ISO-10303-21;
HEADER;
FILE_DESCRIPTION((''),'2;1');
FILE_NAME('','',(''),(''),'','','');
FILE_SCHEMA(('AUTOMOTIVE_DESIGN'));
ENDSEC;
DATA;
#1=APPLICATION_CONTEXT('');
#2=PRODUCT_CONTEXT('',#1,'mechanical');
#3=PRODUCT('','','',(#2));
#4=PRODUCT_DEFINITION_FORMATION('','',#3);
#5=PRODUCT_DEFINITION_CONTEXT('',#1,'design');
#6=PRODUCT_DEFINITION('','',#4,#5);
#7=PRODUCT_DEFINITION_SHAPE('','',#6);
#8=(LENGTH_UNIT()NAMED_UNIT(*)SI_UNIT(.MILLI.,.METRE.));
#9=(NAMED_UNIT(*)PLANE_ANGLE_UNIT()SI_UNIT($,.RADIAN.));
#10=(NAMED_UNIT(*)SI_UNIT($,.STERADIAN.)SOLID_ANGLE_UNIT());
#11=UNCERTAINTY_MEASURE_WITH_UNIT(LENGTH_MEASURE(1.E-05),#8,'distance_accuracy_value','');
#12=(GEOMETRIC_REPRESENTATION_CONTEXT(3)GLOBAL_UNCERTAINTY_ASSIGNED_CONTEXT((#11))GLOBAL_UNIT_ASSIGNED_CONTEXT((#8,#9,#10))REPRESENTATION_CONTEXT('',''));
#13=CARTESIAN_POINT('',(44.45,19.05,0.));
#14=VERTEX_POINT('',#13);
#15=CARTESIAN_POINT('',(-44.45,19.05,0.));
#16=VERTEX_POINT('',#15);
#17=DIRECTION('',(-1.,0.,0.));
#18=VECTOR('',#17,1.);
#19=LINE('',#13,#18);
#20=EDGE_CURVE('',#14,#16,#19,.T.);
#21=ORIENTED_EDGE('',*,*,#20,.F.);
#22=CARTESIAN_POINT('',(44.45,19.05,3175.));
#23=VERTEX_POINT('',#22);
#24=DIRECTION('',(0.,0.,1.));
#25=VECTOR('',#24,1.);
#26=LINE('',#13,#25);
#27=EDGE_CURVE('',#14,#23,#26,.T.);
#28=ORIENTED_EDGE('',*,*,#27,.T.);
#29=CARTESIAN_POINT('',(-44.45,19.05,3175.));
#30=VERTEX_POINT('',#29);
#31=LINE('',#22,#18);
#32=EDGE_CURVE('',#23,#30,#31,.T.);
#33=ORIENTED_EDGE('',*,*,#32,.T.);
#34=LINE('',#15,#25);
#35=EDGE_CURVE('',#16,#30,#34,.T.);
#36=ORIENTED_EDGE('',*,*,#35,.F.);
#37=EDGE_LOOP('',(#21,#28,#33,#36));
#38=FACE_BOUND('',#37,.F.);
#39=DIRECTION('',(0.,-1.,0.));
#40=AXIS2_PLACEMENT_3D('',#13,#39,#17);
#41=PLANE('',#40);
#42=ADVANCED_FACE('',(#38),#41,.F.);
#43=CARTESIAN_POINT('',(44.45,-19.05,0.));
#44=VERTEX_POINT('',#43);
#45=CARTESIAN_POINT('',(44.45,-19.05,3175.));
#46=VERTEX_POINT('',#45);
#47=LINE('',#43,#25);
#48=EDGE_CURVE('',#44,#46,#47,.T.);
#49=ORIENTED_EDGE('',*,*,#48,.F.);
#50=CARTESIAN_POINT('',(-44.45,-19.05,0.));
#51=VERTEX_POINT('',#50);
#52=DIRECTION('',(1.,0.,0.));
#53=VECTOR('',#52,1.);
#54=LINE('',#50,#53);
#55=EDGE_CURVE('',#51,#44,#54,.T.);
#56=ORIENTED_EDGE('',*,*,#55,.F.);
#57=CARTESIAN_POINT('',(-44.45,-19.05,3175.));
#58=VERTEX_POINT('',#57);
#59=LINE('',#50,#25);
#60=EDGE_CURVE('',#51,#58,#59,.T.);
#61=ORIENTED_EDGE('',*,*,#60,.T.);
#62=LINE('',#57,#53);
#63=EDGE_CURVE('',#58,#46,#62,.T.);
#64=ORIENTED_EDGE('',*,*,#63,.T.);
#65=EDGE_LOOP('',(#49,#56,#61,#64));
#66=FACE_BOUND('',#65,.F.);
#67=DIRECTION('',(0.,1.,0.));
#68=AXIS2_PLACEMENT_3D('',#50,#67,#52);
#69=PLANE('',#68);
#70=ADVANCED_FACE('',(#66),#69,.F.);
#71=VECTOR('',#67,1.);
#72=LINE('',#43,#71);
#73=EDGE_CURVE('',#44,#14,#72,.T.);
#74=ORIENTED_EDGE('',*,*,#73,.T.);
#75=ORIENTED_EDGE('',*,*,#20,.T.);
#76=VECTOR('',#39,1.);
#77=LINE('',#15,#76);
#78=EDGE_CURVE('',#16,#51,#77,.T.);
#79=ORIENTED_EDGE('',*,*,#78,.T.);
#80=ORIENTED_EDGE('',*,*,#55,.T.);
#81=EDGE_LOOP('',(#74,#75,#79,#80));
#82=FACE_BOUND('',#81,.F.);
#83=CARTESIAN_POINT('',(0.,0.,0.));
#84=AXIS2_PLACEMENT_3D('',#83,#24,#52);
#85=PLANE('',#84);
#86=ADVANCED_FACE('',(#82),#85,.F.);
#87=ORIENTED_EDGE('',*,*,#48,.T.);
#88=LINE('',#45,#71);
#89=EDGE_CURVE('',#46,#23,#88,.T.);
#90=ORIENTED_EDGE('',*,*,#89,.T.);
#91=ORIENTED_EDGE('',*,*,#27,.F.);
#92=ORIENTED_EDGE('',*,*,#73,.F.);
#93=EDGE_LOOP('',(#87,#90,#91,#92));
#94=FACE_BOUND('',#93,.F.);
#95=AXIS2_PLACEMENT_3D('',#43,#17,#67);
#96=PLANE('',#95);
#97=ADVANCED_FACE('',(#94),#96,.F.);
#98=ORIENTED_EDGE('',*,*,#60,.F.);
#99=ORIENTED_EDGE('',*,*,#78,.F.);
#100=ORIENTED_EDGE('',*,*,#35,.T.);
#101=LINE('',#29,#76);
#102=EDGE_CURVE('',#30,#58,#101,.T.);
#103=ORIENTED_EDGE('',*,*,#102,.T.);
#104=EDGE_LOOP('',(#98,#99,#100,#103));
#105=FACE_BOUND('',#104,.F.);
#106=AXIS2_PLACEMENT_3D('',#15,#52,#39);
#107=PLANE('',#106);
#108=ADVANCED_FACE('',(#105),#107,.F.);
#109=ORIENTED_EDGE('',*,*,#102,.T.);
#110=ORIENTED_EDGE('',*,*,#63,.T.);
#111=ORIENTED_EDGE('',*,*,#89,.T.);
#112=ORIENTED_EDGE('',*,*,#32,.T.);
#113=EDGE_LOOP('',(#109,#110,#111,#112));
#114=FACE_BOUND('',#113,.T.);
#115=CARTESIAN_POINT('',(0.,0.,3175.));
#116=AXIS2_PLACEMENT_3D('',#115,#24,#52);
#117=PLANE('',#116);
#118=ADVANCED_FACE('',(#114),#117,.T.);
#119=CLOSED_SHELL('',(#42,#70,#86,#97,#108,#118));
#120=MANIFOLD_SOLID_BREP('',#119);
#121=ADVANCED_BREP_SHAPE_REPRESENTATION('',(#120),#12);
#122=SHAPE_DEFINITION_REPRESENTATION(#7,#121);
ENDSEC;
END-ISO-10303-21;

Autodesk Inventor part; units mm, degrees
ref_plane "YZ Plane" through (0, 0, 0) normal (1, 0, 0) x (0, 1, 0)
ref_plane "XZ Plane" through (0, 0, 0) normal (0, 1, 0) x (-1, 0, 0)
ref_plane "XY Plane" through (0, 0, 0) normal (0, 0, 1) x (1, 0, 0)
sketch "Sketch1" plane through (0, 0, 0) normal (0, 0, 1) x (1, 0, 0)
  line L0 (-44.45, -19.05) -> (44.45, -19.05)
  line L1 (44.45, -19.05) -> (44.45, 19.05)
  line L2 (44.45, 19.05) -> (-44.45, 19.05)
  line L3 (-44.45, 19.05) -> (-44.45, -19.05)
  line L4 (-44.45, -19.05) -> (44.45, 19.05) construction
  line L5 (44.45, -19.05) -> (-44.45, 19.05) construction
  point P0 (0, 0)
  dimension "d0" = 88.9
  dimension "d1" = 38.1
extrude "Extrusion1" add sketch "Sketch1" along normal blind 3175
properties part number "2x4x125"
